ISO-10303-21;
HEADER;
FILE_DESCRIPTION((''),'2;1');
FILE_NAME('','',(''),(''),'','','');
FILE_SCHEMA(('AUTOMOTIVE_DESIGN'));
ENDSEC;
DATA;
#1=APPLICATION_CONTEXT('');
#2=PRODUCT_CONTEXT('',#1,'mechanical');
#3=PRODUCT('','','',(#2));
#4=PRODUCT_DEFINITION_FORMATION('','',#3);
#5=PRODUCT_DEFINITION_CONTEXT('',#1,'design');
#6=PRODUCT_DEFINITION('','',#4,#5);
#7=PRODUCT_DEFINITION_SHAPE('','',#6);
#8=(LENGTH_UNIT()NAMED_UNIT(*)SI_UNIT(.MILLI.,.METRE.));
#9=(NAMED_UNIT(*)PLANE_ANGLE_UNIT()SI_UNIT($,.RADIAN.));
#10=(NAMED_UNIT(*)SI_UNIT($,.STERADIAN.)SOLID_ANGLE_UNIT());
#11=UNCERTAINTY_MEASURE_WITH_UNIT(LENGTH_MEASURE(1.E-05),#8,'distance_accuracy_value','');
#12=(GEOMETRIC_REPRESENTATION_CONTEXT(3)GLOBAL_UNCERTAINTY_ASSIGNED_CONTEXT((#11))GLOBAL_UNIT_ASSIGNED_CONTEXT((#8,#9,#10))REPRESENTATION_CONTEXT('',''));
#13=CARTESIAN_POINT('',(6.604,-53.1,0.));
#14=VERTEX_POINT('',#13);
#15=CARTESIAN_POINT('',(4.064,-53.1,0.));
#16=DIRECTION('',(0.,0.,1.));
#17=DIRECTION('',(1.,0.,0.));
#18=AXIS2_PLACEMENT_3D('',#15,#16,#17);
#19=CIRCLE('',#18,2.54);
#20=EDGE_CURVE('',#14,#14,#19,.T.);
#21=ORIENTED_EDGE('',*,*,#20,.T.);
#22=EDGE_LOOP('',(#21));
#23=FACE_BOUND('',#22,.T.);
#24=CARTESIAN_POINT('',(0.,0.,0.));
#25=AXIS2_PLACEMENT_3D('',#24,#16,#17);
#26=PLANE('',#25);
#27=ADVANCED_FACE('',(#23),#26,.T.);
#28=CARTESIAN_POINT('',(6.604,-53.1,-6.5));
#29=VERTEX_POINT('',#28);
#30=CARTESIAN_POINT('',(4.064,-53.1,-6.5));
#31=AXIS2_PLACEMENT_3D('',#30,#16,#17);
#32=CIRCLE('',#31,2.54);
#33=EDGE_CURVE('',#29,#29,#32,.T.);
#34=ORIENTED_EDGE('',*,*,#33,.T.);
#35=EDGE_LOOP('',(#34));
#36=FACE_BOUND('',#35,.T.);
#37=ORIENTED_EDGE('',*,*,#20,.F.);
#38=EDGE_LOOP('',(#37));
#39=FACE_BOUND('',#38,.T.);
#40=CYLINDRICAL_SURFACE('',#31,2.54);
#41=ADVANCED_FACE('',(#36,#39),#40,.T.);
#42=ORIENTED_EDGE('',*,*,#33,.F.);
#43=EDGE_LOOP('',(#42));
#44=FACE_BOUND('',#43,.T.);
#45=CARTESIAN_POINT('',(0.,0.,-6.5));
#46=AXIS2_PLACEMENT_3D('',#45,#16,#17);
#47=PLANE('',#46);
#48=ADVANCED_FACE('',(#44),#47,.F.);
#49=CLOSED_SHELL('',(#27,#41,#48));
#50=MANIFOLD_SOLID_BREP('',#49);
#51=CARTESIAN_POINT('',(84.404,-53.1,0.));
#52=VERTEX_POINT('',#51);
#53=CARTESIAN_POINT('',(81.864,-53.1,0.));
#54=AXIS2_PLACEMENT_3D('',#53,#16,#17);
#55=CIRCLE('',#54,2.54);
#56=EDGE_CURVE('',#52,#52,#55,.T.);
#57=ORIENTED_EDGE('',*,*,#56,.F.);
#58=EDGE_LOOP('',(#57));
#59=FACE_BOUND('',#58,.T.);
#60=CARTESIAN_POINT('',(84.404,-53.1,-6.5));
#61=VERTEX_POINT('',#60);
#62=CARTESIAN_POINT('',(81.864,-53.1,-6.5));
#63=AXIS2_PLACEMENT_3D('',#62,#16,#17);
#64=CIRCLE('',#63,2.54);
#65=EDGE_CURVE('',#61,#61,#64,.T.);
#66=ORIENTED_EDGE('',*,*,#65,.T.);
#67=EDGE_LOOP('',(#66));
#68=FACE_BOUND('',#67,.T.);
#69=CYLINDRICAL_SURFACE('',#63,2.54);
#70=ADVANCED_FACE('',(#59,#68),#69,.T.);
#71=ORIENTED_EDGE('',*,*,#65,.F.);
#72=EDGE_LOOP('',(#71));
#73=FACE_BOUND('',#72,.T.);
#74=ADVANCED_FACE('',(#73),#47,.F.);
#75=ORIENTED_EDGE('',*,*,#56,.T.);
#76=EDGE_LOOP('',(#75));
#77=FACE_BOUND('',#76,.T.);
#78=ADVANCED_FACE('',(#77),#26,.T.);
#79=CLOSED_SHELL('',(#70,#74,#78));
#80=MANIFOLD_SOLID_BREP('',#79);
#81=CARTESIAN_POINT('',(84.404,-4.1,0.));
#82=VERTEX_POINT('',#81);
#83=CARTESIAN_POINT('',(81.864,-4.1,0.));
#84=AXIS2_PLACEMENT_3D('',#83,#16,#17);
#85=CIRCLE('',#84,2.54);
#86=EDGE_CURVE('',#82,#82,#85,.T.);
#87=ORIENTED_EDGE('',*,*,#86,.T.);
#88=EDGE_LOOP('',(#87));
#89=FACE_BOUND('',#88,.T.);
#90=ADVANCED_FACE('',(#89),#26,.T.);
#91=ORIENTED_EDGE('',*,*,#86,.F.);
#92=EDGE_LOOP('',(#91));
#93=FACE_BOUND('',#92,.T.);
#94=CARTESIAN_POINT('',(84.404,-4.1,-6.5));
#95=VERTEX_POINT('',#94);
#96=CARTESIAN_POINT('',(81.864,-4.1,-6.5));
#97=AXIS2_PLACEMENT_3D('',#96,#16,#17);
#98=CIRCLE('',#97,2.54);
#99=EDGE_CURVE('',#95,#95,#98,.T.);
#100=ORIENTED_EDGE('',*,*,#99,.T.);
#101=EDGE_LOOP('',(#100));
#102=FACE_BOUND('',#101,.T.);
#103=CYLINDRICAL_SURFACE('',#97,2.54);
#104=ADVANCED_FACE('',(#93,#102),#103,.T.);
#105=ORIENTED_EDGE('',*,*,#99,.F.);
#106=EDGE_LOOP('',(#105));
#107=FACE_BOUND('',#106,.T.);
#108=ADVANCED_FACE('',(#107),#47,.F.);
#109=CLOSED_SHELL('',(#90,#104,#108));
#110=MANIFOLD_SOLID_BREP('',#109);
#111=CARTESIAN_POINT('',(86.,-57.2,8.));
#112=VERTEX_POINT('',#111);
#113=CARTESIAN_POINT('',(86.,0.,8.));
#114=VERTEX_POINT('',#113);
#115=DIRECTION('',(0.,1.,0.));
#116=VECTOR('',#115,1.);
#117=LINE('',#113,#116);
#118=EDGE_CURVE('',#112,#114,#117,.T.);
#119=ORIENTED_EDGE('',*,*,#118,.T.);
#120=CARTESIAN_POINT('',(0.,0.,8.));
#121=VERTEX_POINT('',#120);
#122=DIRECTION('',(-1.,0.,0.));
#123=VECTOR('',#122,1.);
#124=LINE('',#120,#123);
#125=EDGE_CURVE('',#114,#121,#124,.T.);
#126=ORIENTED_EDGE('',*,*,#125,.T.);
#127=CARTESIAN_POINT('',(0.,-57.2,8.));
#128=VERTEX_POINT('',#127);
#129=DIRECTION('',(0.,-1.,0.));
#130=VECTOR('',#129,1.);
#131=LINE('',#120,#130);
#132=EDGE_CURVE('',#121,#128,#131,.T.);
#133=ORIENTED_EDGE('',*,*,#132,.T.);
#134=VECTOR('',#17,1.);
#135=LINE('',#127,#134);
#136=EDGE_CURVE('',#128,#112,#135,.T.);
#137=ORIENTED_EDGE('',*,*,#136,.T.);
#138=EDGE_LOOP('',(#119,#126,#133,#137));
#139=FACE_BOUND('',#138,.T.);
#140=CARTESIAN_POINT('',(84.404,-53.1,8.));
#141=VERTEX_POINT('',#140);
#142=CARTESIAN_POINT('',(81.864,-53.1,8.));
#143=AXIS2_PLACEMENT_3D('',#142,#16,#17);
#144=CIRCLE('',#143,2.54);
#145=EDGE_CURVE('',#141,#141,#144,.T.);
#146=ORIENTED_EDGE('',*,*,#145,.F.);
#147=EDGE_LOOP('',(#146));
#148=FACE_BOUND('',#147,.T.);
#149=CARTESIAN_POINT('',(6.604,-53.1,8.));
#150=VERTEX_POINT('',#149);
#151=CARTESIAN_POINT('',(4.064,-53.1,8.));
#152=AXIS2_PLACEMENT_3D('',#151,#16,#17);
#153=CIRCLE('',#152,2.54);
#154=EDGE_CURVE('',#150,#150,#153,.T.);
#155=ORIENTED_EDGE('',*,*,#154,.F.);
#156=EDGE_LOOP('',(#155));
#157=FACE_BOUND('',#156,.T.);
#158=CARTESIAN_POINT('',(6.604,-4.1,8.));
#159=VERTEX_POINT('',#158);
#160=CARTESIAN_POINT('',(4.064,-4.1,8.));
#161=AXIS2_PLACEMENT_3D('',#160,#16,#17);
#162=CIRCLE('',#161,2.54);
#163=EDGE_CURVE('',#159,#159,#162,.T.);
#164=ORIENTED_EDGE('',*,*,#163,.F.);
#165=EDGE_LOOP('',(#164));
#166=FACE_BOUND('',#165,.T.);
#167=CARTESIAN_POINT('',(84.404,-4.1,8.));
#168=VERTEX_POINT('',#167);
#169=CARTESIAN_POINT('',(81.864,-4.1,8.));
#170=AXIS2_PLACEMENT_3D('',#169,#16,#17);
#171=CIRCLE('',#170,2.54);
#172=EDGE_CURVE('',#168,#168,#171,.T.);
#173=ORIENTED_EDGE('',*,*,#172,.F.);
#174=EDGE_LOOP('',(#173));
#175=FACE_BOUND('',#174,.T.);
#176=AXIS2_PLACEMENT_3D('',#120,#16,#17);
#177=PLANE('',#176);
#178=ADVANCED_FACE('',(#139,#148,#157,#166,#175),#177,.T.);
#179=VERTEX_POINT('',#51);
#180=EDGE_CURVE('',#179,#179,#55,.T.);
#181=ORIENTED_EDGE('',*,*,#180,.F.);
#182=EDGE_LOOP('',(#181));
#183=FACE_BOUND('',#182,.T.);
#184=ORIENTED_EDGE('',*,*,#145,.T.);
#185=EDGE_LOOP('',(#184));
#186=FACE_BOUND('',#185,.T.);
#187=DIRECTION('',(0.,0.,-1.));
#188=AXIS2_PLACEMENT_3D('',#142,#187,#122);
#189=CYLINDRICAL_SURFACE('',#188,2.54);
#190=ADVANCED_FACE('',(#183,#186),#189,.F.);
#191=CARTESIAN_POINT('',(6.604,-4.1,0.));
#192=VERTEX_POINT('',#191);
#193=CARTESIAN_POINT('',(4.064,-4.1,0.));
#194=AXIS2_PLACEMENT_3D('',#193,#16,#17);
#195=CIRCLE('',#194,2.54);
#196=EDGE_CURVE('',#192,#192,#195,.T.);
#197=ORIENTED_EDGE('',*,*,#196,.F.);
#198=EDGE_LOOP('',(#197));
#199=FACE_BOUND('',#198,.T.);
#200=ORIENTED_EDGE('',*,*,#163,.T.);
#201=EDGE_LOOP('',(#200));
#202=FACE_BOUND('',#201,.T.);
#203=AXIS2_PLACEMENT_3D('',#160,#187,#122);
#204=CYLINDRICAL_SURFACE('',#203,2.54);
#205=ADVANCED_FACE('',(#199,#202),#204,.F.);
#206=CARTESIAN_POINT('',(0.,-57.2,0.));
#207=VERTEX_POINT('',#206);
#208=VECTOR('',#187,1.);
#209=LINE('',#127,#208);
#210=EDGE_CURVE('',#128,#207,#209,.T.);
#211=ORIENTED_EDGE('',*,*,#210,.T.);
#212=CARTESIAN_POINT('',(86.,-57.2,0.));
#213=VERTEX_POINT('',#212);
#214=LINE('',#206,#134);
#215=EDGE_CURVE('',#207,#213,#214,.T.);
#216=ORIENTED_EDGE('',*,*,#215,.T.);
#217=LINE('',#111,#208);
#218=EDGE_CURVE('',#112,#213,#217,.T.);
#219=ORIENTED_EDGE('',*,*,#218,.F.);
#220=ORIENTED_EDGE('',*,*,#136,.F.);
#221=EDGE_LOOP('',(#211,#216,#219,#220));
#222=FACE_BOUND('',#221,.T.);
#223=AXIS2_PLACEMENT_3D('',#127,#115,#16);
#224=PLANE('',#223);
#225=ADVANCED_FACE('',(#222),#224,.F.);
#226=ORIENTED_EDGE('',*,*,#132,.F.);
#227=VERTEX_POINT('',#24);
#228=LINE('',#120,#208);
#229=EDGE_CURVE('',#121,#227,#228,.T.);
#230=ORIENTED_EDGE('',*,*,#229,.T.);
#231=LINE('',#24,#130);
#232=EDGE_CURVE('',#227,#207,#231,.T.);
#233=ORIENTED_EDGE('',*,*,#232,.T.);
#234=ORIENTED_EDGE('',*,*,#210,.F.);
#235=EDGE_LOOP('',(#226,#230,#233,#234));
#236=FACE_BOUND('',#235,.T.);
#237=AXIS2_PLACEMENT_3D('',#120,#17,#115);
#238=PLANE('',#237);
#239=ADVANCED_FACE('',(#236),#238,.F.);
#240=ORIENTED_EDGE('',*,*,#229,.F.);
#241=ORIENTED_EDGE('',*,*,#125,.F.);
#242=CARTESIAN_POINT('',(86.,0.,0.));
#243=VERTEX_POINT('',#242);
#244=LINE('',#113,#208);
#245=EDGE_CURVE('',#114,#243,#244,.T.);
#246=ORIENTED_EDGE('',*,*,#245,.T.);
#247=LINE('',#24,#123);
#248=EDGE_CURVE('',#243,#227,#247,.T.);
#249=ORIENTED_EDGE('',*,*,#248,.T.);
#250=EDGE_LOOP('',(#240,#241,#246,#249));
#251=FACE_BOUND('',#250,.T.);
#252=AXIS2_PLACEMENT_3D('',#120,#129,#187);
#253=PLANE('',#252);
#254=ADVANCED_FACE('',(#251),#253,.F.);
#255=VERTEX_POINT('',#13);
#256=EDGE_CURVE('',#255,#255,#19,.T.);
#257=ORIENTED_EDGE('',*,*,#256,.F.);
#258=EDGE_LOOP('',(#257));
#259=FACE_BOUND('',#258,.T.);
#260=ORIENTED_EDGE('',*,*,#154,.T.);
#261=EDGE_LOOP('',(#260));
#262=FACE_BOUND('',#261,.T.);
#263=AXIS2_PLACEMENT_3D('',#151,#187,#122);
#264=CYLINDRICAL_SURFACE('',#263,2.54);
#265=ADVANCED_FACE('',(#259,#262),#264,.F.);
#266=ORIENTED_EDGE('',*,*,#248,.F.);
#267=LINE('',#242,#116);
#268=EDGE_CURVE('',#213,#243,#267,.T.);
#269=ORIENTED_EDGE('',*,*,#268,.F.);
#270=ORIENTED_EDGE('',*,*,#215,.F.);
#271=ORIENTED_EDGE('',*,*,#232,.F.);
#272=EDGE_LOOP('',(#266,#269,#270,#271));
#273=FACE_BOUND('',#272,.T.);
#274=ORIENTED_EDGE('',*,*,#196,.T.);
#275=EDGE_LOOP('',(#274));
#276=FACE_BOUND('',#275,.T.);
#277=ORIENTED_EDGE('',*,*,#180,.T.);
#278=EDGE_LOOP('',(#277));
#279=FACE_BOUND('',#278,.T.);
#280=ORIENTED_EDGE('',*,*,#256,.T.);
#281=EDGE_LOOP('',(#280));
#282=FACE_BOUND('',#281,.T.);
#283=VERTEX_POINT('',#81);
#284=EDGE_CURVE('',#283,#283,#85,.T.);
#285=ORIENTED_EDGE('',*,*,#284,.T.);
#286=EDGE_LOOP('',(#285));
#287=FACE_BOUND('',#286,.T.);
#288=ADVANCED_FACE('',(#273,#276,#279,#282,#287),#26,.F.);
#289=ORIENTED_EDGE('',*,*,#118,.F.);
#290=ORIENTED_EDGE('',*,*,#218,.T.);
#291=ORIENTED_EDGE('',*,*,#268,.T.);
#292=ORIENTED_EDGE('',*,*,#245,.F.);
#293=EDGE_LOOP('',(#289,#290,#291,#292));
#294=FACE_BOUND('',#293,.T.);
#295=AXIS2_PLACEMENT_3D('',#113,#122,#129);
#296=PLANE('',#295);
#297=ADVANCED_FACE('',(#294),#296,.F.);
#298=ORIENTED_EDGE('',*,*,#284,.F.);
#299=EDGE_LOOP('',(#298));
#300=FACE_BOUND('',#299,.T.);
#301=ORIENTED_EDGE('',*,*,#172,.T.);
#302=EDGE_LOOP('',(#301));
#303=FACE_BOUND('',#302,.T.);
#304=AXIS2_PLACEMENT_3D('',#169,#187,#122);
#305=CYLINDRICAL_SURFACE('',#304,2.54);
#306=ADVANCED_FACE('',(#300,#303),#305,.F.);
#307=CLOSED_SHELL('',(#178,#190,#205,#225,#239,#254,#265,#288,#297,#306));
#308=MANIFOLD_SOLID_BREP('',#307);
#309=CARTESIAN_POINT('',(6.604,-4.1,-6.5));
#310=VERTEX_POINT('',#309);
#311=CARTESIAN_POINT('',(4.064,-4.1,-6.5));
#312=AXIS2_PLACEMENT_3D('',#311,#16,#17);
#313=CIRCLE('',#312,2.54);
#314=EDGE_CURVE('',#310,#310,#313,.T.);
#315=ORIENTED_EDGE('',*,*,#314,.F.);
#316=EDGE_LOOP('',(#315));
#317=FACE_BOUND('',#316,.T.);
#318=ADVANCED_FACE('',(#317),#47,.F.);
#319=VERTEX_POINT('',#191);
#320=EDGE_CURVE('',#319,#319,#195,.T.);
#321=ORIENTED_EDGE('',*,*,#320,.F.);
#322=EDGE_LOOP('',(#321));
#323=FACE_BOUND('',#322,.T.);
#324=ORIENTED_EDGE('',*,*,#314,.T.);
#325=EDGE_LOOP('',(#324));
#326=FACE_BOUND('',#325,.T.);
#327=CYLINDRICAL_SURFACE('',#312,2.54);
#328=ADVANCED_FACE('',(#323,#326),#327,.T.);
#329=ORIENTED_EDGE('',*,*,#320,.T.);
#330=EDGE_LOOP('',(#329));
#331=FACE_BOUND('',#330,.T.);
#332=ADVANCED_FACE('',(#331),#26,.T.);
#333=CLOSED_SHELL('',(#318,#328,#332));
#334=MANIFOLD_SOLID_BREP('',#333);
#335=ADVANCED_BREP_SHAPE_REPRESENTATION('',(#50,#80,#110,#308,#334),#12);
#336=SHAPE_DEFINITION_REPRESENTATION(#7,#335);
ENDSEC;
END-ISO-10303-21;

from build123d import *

# Parameters (mm, degrees)
SKETCH1_W             = 86
SKETCH1_H             = 57.2
SKETCH1_R             = 2.54
BOSS_EXTRUDE1_DEPTH   = 8
SKETCH1_2_R           = 2.54
BOSS_EXTRUDE2_DEPTH   = 6.5
BOSS_EXTRUDE2_2_DEPTH = 6.5
BOSS_EXTRUDE2_3_DEPTH = 6.5
BOSS_EXTRUDE2_4_DEPTH = 6.5


with BuildPart() as part:
    # Sketch1 → Boss-Extrude1 (new body)
    with BuildSketch(Plane.XY):
        with Locations((43, -28.6)):
            Rectangle(SKETCH1_W, SKETCH1_H)
        with Locations((4.064, -4.1)):
            Circle(SKETCH1_R, mode=Mode.SUBTRACT)
        with Locations((81.864, -4.1)):
            Circle(SKETCH1_R, mode=Mode.SUBTRACT)
        with Locations((81.864, -53.1)):
            Circle(SKETCH1_R, mode=Mode.SUBTRACT)
        with Locations((4.064, -53.1)):
            Circle(SKETCH1_R, mode=Mode.SUBTRACT)
    extrude(amount=BOSS_EXTRUDE1_DEPTH)


with BuildPart() as body_2:
    # Sketch1<2> → Boss-Extrude2 (new body)
    with BuildSketch(Plane.XY):
        with Locations((4.064, -4.1)):
            Circle(SKETCH1_2_R)
    extrude(amount=-BOSS_EXTRUDE2_DEPTH)


with BuildPart() as body_3:
    # Sketch1<2> → Boss-Extrude2 2 (new body)
    with BuildSketch(Plane.XY):
        with Locations((81.864, -4.1)):
            Circle(SKETCH1_2_R)
    extrude(amount=-BOSS_EXTRUDE2_2_DEPTH)


with BuildPart() as body_4:
    # Sketch1<2> → Boss-Extrude2 3 (new body)
    with BuildSketch(Plane.XY):
        with Locations((81.864, -53.1)):
            Circle(SKETCH1_2_R)
    extrude(amount=-BOSS_EXTRUDE2_3_DEPTH)


with BuildPart() as body_5:
    # Sketch1<2> → Boss-Extrude2 4 (new body)
    with BuildSketch(Plane.XY):
        with Locations((4.064, -53.1)):
            Circle(SKETCH1_2_R)
    extrude(amount=-BOSS_EXTRUDE2_4_DEPTH)


solid = Compound([part.part, body_2.part, body_3.part, body_4.part, body_5.part])
